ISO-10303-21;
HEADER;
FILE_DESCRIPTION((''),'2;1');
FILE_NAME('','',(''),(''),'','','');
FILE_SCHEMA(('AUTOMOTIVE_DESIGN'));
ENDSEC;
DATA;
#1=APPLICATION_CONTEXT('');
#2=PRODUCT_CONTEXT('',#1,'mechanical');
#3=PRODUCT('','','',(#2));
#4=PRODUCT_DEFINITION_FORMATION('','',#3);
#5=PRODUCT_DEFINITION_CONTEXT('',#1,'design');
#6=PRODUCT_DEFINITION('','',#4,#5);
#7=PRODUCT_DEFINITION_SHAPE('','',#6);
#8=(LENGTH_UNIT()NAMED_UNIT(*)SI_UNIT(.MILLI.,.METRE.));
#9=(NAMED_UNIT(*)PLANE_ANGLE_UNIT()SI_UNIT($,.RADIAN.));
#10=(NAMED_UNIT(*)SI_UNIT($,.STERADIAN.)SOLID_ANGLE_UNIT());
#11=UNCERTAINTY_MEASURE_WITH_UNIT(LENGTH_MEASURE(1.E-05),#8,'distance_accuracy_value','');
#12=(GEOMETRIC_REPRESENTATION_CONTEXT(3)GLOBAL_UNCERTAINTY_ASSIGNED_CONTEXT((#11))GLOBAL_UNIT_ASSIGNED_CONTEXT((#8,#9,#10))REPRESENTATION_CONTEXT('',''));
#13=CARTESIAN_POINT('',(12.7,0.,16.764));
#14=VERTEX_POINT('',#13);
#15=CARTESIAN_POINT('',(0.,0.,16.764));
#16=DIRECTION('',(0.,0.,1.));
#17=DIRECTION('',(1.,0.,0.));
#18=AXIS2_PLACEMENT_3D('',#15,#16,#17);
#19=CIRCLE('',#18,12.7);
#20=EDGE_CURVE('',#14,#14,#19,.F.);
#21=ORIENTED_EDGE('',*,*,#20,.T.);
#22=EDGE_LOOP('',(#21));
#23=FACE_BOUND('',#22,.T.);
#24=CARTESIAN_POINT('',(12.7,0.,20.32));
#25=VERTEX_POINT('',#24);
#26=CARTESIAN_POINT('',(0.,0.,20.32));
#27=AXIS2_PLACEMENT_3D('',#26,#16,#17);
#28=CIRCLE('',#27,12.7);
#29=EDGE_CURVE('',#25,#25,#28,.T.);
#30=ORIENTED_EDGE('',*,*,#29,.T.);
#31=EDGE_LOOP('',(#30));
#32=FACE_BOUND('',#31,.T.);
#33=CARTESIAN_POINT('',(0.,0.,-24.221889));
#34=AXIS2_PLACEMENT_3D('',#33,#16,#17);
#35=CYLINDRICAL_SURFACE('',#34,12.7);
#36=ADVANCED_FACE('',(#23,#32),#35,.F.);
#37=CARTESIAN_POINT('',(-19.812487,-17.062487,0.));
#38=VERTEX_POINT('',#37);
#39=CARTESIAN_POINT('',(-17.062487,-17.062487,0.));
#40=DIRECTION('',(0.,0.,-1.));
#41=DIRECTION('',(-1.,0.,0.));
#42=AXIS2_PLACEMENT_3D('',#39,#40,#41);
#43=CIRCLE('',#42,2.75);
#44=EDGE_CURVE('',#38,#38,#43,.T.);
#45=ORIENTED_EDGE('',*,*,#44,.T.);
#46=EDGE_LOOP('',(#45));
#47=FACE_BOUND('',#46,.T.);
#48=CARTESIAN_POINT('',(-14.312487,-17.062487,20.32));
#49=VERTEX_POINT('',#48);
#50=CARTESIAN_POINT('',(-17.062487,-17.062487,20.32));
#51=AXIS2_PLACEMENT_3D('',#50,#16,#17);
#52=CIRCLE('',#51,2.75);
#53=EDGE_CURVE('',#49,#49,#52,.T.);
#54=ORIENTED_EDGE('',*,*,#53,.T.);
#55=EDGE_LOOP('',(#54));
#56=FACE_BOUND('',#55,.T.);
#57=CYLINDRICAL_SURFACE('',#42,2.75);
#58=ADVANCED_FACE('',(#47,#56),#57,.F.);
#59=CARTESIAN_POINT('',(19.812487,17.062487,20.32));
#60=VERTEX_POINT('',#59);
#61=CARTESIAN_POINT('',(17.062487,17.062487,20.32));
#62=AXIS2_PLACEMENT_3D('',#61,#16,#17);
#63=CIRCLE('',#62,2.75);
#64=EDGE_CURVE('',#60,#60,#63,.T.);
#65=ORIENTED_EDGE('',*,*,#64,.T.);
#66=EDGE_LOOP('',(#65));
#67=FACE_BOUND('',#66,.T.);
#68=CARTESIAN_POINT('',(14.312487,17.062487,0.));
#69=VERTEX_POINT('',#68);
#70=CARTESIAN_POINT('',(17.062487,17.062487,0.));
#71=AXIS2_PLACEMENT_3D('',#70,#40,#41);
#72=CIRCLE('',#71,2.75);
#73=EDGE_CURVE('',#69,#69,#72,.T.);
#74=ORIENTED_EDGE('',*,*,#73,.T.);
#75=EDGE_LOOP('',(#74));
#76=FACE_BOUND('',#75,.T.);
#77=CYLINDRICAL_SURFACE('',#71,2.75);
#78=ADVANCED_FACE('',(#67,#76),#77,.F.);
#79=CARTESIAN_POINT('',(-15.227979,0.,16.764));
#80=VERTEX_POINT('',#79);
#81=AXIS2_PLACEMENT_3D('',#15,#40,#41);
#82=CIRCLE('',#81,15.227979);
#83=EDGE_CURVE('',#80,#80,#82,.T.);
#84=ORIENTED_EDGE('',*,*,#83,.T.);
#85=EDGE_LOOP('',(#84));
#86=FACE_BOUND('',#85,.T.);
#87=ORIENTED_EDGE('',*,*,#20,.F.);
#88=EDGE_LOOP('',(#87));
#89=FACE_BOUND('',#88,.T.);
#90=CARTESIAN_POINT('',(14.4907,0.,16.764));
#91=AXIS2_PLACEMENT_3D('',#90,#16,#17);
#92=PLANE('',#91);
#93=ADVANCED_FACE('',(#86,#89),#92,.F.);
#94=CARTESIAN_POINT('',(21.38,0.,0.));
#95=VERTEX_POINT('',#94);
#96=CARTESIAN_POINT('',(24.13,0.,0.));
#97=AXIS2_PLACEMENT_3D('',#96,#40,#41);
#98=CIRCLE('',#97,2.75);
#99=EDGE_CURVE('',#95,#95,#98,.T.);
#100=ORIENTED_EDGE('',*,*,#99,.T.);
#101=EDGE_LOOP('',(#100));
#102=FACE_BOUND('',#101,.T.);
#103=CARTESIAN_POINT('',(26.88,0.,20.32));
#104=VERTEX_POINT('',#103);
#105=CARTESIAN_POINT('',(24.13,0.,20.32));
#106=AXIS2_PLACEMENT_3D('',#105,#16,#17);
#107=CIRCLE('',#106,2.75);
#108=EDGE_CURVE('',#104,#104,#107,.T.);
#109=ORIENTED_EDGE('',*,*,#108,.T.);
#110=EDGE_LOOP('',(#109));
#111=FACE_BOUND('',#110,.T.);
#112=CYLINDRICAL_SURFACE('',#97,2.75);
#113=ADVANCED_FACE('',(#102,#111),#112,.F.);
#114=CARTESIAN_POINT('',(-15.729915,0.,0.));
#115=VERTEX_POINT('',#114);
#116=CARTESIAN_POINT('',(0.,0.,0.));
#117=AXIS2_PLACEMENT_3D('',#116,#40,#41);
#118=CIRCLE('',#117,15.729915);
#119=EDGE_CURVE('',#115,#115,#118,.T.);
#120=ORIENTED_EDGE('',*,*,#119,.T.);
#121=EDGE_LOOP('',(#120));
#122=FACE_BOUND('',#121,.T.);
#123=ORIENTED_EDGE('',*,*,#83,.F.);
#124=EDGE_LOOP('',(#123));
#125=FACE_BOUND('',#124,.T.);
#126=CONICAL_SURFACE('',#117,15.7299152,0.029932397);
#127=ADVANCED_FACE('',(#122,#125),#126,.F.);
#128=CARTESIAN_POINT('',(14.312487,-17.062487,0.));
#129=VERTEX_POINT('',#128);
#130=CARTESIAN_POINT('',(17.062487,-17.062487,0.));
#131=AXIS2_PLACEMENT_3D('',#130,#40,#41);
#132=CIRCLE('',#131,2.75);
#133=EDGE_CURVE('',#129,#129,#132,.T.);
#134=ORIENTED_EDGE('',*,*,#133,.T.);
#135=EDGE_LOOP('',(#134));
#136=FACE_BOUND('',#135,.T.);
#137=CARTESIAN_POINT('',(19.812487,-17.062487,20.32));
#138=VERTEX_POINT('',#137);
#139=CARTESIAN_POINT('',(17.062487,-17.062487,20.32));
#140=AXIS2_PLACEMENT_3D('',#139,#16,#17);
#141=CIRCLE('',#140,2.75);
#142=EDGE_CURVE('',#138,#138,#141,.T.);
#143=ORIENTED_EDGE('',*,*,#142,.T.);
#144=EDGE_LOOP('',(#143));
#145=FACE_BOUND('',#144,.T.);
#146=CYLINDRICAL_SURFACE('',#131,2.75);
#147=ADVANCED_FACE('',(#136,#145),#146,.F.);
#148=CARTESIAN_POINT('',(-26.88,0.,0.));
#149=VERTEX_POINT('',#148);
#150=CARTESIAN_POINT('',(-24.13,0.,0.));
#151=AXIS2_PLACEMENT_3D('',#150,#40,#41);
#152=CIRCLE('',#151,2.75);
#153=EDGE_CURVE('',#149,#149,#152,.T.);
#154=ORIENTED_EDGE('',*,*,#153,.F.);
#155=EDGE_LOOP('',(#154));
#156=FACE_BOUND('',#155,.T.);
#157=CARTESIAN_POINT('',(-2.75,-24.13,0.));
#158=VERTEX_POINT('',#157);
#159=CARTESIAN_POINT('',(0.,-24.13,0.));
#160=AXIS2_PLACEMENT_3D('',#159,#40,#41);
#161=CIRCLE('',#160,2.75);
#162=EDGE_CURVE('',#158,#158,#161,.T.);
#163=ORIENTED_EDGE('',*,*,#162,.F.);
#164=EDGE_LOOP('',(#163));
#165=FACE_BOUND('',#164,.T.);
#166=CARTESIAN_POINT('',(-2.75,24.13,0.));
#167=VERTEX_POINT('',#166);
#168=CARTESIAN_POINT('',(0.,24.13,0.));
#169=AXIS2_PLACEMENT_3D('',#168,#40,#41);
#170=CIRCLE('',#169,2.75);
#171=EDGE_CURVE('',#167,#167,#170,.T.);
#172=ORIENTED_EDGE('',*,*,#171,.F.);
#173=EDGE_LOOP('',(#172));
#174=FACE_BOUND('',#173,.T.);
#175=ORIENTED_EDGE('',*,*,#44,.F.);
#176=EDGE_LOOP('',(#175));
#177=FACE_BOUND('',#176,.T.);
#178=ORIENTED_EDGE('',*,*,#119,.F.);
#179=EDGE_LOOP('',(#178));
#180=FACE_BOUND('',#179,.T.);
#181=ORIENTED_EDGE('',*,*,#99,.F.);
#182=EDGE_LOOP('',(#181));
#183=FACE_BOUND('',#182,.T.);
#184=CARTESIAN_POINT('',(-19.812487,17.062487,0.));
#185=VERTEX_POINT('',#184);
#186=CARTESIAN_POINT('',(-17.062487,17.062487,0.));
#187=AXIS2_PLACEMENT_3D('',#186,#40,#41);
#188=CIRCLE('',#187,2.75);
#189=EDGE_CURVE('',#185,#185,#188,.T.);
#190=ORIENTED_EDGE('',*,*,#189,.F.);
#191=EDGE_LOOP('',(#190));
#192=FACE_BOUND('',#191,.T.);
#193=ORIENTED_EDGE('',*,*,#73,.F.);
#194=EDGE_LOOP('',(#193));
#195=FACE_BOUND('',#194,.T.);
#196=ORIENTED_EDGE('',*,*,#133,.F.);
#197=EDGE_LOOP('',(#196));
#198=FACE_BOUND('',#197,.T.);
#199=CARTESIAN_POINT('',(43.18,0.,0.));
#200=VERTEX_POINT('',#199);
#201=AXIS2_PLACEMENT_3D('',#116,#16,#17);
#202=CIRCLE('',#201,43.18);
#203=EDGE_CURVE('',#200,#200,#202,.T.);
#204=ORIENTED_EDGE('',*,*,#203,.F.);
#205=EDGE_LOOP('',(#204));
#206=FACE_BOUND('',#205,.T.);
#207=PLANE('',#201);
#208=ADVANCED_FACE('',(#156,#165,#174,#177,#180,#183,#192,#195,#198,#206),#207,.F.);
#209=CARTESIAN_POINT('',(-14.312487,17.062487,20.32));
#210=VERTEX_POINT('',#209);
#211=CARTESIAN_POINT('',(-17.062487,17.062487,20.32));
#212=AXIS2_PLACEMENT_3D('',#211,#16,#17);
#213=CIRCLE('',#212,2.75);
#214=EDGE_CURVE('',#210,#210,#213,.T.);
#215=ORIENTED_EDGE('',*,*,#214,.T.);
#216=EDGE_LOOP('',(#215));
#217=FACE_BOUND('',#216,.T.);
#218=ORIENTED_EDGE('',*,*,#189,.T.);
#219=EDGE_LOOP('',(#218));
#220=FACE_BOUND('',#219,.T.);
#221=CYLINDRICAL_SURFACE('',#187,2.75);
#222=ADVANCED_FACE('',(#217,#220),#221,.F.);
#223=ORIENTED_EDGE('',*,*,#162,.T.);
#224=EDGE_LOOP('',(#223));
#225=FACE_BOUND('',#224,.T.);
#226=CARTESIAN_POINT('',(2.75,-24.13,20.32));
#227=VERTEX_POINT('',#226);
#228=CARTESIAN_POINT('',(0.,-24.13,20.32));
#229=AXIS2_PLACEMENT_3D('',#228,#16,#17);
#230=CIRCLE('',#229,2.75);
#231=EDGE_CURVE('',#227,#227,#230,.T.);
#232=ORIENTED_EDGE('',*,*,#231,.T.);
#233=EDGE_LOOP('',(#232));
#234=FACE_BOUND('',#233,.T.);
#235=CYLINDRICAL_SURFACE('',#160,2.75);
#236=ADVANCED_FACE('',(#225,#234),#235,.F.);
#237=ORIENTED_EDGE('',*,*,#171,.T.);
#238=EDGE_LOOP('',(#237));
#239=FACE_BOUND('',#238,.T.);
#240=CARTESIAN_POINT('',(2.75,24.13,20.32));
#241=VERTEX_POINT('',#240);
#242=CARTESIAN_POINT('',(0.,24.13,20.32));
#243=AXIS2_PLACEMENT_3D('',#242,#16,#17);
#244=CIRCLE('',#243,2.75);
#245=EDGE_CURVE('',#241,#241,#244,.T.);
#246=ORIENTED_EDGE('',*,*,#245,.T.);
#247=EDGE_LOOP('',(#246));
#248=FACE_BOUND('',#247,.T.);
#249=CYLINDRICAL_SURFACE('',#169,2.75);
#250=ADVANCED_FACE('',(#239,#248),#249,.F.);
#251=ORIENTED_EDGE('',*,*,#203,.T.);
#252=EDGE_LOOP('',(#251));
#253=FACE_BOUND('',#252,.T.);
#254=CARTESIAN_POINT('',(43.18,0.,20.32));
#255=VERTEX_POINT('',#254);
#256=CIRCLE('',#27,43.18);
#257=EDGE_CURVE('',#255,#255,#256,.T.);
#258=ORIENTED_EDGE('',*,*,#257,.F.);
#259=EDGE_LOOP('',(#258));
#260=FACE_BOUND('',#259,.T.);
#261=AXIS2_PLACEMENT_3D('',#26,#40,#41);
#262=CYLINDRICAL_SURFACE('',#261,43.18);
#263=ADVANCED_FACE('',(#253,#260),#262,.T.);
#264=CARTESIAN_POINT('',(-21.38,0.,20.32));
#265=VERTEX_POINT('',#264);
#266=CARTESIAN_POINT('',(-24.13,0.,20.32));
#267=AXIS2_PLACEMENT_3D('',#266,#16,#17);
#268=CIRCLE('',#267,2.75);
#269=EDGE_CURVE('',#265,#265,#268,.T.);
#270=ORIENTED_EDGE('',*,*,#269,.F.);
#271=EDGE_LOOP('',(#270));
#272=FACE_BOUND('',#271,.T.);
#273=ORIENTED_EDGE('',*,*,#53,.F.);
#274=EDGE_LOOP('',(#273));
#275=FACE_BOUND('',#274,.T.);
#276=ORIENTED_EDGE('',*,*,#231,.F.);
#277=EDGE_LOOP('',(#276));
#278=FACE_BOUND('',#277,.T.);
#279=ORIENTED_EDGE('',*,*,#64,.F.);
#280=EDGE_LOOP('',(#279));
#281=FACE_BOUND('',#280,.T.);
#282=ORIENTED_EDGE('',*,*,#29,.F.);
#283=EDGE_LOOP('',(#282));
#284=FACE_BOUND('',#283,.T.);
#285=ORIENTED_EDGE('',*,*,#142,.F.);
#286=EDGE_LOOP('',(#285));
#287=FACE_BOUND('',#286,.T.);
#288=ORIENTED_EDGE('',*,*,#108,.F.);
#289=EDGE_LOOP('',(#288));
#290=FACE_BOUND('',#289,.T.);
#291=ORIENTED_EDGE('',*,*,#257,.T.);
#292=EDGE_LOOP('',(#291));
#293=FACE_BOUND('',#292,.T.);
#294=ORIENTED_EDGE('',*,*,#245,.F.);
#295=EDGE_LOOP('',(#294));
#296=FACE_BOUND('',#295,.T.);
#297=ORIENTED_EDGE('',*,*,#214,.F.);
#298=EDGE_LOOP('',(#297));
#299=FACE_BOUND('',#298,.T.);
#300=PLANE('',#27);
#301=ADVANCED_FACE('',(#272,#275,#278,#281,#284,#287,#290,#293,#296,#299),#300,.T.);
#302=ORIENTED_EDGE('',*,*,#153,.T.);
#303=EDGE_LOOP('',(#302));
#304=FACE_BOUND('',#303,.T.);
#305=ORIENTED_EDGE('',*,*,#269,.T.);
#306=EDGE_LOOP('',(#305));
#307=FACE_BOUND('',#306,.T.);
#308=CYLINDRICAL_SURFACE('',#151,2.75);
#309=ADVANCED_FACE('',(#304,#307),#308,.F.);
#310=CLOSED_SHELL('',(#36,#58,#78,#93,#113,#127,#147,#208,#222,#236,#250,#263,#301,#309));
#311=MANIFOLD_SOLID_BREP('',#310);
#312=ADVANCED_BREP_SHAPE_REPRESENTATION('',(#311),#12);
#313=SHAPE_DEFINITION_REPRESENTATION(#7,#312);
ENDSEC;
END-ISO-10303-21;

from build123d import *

# Parameters (mm, degrees)
SKETCH1_R                = 43.18
BOSS_EXTRUDE1_DEPTH      = 20.32
M5_CLEARANCE_HOLE1_D     = 5.5
M5_CLEARANCE_HOLE1_DEPTH = 20.32
CIRPATTERN1_COUNT        = 8
SKETCH9_R                = 14.4907
SKETCH9_R_2              = 12.7
BOSS_EXTRUDE2_DEPTH      = 3.556


with BuildPart() as part:
    # Sketch1 → Boss-Extrude1 (new body)
    with BuildSketch(Plane.XY):
        Circle(SKETCH1_R)
    extrude(amount=BOSS_EXTRUDE1_DEPTH)

    # Sketch7 → 1 NPT Tapped Hole2 (revolve, cut)
    with BuildSketch(Plane.YZ):
        Polygon((0, 0), (0, 20.32), (14.4907, 20.32), (14.4907, 16.764), (15.22797859, 16.764), (15.7299152, 0), align=None)
    revolve(axis=Axis((0, 0, -6.35), (0, 0, 1)), mode=Mode.SUBTRACT)

    # M5 Clearance Hole1
    with Locations(Plane(origin=(0, 0, 0), x_dir=(-1, 0, 0), z_dir=(0, 0, -1))):
        with Locations((0, 24.13)):
            m5_clearance_hole1 = Hole(M5_CLEARANCE_HOLE1_D / 2, depth=M5_CLEARANCE_HOLE1_DEPTH)

    # CirPattern1: M5 Clearance Hole1 ×8 about axis
    cirpattern1_axis = Axis((0, 0, 0), (0, 0, 1))
    for i in range(1, CIRPATTERN1_COUNT):
        add(m5_clearance_hole1.rotate(cirpattern1_axis, i * 360 / CIRPATTERN1_COUNT), mode=Mode.SUBTRACT)

    # Sketch9 → Boss-Extrude2 (add)
    with BuildSketch(Plane.XY.offset(20.32)):
        Circle(SKETCH9_R)
        Circle(SKETCH9_R_2, mode=Mode.SUBTRACT)
    extrude(amount=-BOSS_EXTRUDE2_DEPTH)


solid = part.part
